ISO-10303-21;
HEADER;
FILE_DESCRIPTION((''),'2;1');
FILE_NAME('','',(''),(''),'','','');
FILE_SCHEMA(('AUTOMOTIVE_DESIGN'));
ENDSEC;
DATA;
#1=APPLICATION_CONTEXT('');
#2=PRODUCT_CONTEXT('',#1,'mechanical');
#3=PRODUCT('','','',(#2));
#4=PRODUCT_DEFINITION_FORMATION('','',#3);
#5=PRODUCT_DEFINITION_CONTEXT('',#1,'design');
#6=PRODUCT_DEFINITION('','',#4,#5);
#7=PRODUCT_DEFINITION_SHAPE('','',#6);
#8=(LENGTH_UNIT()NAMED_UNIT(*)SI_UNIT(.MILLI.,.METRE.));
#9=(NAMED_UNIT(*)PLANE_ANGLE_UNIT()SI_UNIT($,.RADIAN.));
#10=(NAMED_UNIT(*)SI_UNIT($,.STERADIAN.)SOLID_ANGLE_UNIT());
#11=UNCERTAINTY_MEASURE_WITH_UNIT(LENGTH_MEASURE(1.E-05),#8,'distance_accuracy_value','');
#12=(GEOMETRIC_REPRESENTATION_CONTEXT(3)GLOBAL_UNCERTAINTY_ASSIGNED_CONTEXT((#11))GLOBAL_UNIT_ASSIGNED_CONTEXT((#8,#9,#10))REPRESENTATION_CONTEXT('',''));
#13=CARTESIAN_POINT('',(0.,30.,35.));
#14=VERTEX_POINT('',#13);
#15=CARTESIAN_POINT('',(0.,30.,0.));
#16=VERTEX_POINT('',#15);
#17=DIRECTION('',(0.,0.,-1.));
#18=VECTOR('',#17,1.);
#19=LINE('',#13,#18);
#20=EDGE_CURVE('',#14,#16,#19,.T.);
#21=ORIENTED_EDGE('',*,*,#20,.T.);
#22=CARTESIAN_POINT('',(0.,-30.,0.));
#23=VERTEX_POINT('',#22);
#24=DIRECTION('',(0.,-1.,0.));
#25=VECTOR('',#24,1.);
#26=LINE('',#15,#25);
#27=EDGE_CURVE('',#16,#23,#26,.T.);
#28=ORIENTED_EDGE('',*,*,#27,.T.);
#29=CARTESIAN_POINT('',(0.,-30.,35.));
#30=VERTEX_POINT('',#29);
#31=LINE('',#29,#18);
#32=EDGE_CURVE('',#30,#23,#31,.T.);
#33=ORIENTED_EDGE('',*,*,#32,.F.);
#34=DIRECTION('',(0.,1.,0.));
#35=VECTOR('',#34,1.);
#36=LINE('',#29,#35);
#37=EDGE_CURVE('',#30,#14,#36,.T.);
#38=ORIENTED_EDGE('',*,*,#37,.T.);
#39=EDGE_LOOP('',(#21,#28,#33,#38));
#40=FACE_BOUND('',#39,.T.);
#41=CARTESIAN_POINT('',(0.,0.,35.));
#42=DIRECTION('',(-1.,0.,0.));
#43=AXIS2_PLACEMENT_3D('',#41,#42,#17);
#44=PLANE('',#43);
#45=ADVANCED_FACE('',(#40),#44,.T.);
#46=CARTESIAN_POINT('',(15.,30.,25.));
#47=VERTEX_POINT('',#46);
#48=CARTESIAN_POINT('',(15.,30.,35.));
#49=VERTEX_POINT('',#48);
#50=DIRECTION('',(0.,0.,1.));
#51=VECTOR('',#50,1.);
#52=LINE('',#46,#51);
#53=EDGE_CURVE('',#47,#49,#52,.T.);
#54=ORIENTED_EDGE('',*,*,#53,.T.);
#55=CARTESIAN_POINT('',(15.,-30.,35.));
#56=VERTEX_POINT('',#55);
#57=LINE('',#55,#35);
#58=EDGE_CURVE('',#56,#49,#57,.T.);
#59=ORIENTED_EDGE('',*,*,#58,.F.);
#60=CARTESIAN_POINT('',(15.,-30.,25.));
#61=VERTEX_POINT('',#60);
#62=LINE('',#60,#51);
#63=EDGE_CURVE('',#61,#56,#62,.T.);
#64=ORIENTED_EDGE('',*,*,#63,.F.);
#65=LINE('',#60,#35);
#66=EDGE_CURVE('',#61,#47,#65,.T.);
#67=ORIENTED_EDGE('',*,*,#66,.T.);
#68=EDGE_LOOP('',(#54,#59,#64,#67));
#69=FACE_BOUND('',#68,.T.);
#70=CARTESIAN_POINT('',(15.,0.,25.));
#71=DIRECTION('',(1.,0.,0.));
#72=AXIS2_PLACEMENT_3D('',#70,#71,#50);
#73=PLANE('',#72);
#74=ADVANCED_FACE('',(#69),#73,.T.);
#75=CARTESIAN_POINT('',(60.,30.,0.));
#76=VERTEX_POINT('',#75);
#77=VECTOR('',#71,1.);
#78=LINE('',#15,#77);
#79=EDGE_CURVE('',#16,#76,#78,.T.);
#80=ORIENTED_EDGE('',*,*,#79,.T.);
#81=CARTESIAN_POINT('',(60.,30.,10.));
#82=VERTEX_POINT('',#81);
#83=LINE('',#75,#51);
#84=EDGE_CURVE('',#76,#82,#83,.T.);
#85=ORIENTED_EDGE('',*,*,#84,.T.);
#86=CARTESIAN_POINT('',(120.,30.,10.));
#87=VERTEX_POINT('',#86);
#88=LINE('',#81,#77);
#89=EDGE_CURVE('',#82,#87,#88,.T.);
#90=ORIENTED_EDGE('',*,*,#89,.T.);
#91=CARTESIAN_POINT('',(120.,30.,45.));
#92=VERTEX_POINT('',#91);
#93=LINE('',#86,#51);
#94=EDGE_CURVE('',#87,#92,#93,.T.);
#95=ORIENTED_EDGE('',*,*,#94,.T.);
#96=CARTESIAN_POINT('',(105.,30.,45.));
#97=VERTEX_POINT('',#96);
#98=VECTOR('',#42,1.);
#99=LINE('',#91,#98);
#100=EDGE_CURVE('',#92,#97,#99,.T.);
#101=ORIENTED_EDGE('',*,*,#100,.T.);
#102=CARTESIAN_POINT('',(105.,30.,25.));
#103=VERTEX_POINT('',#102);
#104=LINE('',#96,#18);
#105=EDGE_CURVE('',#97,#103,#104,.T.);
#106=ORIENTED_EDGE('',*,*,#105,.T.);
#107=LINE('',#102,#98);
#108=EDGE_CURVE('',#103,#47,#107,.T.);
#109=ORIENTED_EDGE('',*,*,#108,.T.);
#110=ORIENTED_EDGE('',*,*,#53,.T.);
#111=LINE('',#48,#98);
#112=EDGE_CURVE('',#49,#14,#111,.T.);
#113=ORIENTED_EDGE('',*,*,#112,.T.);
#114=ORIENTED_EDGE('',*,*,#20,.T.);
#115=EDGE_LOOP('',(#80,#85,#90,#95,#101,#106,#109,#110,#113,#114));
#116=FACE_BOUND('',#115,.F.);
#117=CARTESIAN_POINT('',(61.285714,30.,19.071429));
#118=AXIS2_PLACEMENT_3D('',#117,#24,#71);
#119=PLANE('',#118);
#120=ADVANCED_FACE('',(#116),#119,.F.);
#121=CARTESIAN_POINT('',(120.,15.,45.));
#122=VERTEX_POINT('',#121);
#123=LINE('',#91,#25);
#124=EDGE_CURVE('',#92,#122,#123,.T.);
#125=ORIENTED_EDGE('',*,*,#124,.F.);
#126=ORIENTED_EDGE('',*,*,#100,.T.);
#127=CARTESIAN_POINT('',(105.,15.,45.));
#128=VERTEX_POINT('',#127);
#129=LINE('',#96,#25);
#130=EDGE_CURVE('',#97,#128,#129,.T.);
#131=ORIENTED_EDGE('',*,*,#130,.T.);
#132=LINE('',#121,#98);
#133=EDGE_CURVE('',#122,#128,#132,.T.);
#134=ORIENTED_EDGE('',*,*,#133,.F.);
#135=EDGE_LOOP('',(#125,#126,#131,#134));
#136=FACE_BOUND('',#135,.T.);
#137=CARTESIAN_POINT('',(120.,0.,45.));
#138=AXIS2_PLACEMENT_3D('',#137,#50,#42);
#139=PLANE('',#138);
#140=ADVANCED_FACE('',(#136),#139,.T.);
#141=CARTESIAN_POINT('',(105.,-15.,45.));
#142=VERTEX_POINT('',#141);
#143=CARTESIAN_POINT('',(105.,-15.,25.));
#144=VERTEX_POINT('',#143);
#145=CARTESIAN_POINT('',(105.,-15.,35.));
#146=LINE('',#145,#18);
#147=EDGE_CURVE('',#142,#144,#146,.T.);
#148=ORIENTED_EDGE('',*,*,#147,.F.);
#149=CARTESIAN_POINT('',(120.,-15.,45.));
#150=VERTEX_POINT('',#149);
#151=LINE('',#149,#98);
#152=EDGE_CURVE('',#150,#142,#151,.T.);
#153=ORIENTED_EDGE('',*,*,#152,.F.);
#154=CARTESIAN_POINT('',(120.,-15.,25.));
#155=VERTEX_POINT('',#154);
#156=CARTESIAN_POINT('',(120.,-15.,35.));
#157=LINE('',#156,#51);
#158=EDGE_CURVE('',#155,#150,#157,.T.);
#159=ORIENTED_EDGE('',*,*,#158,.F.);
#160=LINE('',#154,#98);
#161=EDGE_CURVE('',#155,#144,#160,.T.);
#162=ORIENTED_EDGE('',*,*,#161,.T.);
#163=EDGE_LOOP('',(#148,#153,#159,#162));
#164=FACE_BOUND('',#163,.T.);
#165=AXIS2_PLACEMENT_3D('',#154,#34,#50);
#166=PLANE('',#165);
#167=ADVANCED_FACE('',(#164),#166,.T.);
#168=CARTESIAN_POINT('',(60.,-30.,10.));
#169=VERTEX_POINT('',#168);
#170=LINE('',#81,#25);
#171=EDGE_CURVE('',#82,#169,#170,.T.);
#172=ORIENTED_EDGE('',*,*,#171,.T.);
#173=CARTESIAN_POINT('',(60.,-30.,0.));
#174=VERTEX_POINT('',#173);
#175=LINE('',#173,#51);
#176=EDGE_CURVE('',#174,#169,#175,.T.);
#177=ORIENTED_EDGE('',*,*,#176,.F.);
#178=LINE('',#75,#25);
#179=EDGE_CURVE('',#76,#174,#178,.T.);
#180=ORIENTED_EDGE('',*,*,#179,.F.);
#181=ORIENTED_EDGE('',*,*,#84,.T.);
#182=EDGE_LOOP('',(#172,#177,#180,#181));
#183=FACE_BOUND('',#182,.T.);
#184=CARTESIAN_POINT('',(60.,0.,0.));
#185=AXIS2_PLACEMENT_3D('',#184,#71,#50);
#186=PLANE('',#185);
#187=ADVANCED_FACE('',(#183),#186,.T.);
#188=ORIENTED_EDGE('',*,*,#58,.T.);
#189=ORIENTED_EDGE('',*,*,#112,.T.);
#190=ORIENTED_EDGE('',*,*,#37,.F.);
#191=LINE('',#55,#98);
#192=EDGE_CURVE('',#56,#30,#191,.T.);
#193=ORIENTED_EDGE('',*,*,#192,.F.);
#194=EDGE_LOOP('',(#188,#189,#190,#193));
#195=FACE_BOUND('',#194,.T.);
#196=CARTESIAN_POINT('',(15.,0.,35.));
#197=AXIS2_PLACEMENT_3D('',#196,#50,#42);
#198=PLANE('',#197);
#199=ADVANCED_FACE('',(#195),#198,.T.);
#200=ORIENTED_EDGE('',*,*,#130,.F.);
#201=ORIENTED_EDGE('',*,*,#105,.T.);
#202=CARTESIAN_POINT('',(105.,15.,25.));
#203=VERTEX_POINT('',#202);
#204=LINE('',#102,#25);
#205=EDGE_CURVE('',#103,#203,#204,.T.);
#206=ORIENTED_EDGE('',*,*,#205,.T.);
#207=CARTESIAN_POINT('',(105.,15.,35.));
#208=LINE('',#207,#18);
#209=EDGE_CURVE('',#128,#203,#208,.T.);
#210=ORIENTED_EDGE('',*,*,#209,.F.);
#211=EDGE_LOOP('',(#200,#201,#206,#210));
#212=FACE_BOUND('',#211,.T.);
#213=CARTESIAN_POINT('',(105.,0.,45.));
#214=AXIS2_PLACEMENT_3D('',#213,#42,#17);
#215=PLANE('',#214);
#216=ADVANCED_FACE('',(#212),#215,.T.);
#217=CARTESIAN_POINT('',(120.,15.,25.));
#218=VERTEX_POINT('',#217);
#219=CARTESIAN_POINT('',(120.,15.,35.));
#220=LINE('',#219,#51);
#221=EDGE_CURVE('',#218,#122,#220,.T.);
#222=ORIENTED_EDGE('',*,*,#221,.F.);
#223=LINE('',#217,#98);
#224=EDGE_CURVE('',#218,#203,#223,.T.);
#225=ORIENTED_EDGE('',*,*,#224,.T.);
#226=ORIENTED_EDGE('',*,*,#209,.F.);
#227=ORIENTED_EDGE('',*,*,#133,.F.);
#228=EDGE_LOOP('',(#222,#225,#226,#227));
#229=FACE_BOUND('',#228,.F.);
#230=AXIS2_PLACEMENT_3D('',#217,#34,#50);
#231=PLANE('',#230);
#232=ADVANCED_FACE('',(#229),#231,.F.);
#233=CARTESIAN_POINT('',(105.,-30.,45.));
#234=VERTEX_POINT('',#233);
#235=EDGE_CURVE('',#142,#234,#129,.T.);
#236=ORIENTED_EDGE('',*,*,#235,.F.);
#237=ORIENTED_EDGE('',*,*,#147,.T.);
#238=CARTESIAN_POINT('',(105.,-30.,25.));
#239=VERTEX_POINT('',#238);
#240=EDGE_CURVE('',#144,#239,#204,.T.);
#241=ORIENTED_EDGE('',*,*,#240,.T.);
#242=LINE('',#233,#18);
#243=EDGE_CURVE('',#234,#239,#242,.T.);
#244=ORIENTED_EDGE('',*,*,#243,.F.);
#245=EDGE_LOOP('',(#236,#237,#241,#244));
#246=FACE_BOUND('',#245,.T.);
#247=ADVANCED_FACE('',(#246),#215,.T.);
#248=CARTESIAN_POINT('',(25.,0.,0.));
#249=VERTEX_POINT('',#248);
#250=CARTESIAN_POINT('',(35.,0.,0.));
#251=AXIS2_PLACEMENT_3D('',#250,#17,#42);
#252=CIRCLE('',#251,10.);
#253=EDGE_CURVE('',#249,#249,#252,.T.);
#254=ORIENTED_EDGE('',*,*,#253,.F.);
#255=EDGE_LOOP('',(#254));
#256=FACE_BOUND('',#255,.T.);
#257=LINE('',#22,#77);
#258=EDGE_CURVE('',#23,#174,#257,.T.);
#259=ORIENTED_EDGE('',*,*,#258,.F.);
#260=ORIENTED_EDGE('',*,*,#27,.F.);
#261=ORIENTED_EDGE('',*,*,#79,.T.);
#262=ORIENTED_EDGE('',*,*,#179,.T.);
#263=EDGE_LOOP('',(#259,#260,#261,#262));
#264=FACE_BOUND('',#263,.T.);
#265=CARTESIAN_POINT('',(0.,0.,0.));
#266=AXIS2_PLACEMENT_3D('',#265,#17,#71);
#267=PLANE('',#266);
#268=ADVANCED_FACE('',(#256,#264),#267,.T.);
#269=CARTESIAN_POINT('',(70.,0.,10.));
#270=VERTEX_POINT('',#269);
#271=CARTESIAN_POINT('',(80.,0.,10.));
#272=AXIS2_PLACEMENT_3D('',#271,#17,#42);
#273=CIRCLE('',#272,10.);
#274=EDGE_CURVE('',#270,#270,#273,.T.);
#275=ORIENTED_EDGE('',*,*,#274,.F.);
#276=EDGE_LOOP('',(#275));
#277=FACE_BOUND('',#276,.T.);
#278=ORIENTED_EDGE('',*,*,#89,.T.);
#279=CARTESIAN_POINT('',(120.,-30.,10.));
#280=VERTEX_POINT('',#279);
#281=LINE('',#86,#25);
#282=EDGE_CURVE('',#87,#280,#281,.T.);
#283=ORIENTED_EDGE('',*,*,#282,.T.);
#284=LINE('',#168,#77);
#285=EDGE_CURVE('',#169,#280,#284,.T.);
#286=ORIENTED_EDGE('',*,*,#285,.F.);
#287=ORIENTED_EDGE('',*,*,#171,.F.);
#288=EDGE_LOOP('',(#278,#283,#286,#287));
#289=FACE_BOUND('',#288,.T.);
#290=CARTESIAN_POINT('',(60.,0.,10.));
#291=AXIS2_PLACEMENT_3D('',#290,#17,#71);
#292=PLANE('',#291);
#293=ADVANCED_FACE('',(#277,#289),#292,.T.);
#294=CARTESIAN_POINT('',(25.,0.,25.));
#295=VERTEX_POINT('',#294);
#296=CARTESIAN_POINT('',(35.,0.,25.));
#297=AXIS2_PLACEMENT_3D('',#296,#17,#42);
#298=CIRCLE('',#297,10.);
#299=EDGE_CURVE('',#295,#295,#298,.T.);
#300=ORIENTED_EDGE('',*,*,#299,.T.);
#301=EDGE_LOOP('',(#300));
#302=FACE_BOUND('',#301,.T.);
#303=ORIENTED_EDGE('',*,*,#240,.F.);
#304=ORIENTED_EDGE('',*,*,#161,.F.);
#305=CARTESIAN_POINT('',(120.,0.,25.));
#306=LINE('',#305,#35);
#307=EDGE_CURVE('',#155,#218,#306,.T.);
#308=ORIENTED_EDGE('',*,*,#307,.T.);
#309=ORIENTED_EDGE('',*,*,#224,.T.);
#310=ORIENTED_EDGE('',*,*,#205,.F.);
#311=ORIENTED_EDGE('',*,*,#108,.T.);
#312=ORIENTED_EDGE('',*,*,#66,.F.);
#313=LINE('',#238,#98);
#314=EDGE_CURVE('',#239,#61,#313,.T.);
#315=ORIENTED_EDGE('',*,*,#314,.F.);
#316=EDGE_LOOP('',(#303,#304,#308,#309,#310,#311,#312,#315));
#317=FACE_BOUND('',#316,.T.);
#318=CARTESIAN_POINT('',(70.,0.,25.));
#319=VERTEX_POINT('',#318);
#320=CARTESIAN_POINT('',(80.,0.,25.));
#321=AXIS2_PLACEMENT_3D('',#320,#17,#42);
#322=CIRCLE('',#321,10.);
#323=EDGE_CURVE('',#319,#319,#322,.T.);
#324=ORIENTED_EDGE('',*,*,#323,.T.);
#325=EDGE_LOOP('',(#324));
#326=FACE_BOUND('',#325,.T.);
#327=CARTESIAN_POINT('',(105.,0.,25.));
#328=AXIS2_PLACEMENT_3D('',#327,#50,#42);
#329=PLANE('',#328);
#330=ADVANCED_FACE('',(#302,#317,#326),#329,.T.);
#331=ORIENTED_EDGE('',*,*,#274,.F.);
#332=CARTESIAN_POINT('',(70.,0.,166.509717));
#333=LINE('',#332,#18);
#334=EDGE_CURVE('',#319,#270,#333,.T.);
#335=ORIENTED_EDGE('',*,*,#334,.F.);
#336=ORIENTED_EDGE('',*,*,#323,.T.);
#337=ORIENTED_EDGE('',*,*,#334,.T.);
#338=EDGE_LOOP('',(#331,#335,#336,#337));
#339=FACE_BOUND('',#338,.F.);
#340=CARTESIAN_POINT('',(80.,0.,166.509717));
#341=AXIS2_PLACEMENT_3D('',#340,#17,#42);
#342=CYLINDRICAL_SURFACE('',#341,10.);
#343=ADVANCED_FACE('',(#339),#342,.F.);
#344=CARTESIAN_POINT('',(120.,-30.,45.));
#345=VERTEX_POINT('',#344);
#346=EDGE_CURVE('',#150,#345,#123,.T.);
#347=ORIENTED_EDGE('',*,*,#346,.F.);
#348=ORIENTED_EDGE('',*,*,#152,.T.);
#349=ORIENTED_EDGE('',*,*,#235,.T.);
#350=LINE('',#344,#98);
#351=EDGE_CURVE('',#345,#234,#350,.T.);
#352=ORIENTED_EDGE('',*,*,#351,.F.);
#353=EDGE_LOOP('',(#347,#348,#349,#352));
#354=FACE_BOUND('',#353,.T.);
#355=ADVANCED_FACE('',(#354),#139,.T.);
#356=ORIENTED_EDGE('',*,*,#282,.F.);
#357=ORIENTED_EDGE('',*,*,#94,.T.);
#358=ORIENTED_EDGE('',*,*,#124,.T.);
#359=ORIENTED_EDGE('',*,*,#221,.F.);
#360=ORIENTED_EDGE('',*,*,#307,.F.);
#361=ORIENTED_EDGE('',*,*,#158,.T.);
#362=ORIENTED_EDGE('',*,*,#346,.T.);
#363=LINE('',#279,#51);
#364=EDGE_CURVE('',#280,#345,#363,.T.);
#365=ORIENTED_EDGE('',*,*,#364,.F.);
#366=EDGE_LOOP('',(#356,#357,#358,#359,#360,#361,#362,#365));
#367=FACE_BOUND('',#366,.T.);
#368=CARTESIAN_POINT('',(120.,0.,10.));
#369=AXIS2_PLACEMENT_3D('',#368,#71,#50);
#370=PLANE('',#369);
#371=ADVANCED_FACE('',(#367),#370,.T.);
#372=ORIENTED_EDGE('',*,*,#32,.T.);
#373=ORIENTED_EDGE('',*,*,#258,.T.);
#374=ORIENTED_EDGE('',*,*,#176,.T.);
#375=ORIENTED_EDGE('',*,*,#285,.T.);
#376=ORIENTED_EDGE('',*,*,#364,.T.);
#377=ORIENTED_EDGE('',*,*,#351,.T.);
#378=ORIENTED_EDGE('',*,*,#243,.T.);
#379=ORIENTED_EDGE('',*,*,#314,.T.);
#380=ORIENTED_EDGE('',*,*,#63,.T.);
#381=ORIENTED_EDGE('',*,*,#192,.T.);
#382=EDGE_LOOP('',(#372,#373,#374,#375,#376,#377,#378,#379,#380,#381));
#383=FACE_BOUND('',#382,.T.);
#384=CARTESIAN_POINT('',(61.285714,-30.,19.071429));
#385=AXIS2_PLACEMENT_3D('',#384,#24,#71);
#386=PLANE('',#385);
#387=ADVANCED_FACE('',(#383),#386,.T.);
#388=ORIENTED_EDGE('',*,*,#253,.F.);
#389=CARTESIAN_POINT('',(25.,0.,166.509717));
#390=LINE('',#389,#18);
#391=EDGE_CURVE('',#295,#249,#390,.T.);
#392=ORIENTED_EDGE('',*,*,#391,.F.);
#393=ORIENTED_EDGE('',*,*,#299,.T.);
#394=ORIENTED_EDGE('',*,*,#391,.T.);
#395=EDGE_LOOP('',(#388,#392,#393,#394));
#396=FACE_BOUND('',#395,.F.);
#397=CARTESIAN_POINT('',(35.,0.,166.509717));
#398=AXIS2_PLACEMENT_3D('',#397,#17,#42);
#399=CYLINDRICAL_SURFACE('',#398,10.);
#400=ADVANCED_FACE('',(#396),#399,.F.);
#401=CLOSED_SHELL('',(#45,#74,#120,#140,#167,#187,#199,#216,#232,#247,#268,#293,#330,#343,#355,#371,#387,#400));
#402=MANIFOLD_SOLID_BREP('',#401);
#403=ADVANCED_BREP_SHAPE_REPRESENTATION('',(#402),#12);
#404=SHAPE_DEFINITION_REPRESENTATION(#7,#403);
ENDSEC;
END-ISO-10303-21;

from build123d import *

# Parameters (mm, degrees)
F1_DEPTH = 30
F2_W     = 30
F2_H     = 20
F3_DEPTH = 25
F5_D     = 20


with BuildPart() as f1:
    # F0 (on Front) → F1 (new body, symmetric)
    with BuildSketch(Plane.XZ):
        Polygon((0, 35), (0, 0), (60, 0), (60, 10), (120, 10), (120, 45), (105, 45), (105, 25), (15, 25), (15, 35), align=None)
    extrude(amount=F1_DEPTH, both=True)

    # F2 (on face) → F3 (cut)
    with BuildSketch(Plane.YZ.offset(120)):
        with Locations((0, 35)):
            Rectangle(F2_W, F2_H)
    extrude(amount=-F3_DEPTH, mode=Mode.SUBTRACT)

    # F5 (through all)
    with Locations(Plane.XY.offset(25)):
        with Locations((35, 0), (80, 0)):
            Hole(F5_D / 2)


solid = f1.part
